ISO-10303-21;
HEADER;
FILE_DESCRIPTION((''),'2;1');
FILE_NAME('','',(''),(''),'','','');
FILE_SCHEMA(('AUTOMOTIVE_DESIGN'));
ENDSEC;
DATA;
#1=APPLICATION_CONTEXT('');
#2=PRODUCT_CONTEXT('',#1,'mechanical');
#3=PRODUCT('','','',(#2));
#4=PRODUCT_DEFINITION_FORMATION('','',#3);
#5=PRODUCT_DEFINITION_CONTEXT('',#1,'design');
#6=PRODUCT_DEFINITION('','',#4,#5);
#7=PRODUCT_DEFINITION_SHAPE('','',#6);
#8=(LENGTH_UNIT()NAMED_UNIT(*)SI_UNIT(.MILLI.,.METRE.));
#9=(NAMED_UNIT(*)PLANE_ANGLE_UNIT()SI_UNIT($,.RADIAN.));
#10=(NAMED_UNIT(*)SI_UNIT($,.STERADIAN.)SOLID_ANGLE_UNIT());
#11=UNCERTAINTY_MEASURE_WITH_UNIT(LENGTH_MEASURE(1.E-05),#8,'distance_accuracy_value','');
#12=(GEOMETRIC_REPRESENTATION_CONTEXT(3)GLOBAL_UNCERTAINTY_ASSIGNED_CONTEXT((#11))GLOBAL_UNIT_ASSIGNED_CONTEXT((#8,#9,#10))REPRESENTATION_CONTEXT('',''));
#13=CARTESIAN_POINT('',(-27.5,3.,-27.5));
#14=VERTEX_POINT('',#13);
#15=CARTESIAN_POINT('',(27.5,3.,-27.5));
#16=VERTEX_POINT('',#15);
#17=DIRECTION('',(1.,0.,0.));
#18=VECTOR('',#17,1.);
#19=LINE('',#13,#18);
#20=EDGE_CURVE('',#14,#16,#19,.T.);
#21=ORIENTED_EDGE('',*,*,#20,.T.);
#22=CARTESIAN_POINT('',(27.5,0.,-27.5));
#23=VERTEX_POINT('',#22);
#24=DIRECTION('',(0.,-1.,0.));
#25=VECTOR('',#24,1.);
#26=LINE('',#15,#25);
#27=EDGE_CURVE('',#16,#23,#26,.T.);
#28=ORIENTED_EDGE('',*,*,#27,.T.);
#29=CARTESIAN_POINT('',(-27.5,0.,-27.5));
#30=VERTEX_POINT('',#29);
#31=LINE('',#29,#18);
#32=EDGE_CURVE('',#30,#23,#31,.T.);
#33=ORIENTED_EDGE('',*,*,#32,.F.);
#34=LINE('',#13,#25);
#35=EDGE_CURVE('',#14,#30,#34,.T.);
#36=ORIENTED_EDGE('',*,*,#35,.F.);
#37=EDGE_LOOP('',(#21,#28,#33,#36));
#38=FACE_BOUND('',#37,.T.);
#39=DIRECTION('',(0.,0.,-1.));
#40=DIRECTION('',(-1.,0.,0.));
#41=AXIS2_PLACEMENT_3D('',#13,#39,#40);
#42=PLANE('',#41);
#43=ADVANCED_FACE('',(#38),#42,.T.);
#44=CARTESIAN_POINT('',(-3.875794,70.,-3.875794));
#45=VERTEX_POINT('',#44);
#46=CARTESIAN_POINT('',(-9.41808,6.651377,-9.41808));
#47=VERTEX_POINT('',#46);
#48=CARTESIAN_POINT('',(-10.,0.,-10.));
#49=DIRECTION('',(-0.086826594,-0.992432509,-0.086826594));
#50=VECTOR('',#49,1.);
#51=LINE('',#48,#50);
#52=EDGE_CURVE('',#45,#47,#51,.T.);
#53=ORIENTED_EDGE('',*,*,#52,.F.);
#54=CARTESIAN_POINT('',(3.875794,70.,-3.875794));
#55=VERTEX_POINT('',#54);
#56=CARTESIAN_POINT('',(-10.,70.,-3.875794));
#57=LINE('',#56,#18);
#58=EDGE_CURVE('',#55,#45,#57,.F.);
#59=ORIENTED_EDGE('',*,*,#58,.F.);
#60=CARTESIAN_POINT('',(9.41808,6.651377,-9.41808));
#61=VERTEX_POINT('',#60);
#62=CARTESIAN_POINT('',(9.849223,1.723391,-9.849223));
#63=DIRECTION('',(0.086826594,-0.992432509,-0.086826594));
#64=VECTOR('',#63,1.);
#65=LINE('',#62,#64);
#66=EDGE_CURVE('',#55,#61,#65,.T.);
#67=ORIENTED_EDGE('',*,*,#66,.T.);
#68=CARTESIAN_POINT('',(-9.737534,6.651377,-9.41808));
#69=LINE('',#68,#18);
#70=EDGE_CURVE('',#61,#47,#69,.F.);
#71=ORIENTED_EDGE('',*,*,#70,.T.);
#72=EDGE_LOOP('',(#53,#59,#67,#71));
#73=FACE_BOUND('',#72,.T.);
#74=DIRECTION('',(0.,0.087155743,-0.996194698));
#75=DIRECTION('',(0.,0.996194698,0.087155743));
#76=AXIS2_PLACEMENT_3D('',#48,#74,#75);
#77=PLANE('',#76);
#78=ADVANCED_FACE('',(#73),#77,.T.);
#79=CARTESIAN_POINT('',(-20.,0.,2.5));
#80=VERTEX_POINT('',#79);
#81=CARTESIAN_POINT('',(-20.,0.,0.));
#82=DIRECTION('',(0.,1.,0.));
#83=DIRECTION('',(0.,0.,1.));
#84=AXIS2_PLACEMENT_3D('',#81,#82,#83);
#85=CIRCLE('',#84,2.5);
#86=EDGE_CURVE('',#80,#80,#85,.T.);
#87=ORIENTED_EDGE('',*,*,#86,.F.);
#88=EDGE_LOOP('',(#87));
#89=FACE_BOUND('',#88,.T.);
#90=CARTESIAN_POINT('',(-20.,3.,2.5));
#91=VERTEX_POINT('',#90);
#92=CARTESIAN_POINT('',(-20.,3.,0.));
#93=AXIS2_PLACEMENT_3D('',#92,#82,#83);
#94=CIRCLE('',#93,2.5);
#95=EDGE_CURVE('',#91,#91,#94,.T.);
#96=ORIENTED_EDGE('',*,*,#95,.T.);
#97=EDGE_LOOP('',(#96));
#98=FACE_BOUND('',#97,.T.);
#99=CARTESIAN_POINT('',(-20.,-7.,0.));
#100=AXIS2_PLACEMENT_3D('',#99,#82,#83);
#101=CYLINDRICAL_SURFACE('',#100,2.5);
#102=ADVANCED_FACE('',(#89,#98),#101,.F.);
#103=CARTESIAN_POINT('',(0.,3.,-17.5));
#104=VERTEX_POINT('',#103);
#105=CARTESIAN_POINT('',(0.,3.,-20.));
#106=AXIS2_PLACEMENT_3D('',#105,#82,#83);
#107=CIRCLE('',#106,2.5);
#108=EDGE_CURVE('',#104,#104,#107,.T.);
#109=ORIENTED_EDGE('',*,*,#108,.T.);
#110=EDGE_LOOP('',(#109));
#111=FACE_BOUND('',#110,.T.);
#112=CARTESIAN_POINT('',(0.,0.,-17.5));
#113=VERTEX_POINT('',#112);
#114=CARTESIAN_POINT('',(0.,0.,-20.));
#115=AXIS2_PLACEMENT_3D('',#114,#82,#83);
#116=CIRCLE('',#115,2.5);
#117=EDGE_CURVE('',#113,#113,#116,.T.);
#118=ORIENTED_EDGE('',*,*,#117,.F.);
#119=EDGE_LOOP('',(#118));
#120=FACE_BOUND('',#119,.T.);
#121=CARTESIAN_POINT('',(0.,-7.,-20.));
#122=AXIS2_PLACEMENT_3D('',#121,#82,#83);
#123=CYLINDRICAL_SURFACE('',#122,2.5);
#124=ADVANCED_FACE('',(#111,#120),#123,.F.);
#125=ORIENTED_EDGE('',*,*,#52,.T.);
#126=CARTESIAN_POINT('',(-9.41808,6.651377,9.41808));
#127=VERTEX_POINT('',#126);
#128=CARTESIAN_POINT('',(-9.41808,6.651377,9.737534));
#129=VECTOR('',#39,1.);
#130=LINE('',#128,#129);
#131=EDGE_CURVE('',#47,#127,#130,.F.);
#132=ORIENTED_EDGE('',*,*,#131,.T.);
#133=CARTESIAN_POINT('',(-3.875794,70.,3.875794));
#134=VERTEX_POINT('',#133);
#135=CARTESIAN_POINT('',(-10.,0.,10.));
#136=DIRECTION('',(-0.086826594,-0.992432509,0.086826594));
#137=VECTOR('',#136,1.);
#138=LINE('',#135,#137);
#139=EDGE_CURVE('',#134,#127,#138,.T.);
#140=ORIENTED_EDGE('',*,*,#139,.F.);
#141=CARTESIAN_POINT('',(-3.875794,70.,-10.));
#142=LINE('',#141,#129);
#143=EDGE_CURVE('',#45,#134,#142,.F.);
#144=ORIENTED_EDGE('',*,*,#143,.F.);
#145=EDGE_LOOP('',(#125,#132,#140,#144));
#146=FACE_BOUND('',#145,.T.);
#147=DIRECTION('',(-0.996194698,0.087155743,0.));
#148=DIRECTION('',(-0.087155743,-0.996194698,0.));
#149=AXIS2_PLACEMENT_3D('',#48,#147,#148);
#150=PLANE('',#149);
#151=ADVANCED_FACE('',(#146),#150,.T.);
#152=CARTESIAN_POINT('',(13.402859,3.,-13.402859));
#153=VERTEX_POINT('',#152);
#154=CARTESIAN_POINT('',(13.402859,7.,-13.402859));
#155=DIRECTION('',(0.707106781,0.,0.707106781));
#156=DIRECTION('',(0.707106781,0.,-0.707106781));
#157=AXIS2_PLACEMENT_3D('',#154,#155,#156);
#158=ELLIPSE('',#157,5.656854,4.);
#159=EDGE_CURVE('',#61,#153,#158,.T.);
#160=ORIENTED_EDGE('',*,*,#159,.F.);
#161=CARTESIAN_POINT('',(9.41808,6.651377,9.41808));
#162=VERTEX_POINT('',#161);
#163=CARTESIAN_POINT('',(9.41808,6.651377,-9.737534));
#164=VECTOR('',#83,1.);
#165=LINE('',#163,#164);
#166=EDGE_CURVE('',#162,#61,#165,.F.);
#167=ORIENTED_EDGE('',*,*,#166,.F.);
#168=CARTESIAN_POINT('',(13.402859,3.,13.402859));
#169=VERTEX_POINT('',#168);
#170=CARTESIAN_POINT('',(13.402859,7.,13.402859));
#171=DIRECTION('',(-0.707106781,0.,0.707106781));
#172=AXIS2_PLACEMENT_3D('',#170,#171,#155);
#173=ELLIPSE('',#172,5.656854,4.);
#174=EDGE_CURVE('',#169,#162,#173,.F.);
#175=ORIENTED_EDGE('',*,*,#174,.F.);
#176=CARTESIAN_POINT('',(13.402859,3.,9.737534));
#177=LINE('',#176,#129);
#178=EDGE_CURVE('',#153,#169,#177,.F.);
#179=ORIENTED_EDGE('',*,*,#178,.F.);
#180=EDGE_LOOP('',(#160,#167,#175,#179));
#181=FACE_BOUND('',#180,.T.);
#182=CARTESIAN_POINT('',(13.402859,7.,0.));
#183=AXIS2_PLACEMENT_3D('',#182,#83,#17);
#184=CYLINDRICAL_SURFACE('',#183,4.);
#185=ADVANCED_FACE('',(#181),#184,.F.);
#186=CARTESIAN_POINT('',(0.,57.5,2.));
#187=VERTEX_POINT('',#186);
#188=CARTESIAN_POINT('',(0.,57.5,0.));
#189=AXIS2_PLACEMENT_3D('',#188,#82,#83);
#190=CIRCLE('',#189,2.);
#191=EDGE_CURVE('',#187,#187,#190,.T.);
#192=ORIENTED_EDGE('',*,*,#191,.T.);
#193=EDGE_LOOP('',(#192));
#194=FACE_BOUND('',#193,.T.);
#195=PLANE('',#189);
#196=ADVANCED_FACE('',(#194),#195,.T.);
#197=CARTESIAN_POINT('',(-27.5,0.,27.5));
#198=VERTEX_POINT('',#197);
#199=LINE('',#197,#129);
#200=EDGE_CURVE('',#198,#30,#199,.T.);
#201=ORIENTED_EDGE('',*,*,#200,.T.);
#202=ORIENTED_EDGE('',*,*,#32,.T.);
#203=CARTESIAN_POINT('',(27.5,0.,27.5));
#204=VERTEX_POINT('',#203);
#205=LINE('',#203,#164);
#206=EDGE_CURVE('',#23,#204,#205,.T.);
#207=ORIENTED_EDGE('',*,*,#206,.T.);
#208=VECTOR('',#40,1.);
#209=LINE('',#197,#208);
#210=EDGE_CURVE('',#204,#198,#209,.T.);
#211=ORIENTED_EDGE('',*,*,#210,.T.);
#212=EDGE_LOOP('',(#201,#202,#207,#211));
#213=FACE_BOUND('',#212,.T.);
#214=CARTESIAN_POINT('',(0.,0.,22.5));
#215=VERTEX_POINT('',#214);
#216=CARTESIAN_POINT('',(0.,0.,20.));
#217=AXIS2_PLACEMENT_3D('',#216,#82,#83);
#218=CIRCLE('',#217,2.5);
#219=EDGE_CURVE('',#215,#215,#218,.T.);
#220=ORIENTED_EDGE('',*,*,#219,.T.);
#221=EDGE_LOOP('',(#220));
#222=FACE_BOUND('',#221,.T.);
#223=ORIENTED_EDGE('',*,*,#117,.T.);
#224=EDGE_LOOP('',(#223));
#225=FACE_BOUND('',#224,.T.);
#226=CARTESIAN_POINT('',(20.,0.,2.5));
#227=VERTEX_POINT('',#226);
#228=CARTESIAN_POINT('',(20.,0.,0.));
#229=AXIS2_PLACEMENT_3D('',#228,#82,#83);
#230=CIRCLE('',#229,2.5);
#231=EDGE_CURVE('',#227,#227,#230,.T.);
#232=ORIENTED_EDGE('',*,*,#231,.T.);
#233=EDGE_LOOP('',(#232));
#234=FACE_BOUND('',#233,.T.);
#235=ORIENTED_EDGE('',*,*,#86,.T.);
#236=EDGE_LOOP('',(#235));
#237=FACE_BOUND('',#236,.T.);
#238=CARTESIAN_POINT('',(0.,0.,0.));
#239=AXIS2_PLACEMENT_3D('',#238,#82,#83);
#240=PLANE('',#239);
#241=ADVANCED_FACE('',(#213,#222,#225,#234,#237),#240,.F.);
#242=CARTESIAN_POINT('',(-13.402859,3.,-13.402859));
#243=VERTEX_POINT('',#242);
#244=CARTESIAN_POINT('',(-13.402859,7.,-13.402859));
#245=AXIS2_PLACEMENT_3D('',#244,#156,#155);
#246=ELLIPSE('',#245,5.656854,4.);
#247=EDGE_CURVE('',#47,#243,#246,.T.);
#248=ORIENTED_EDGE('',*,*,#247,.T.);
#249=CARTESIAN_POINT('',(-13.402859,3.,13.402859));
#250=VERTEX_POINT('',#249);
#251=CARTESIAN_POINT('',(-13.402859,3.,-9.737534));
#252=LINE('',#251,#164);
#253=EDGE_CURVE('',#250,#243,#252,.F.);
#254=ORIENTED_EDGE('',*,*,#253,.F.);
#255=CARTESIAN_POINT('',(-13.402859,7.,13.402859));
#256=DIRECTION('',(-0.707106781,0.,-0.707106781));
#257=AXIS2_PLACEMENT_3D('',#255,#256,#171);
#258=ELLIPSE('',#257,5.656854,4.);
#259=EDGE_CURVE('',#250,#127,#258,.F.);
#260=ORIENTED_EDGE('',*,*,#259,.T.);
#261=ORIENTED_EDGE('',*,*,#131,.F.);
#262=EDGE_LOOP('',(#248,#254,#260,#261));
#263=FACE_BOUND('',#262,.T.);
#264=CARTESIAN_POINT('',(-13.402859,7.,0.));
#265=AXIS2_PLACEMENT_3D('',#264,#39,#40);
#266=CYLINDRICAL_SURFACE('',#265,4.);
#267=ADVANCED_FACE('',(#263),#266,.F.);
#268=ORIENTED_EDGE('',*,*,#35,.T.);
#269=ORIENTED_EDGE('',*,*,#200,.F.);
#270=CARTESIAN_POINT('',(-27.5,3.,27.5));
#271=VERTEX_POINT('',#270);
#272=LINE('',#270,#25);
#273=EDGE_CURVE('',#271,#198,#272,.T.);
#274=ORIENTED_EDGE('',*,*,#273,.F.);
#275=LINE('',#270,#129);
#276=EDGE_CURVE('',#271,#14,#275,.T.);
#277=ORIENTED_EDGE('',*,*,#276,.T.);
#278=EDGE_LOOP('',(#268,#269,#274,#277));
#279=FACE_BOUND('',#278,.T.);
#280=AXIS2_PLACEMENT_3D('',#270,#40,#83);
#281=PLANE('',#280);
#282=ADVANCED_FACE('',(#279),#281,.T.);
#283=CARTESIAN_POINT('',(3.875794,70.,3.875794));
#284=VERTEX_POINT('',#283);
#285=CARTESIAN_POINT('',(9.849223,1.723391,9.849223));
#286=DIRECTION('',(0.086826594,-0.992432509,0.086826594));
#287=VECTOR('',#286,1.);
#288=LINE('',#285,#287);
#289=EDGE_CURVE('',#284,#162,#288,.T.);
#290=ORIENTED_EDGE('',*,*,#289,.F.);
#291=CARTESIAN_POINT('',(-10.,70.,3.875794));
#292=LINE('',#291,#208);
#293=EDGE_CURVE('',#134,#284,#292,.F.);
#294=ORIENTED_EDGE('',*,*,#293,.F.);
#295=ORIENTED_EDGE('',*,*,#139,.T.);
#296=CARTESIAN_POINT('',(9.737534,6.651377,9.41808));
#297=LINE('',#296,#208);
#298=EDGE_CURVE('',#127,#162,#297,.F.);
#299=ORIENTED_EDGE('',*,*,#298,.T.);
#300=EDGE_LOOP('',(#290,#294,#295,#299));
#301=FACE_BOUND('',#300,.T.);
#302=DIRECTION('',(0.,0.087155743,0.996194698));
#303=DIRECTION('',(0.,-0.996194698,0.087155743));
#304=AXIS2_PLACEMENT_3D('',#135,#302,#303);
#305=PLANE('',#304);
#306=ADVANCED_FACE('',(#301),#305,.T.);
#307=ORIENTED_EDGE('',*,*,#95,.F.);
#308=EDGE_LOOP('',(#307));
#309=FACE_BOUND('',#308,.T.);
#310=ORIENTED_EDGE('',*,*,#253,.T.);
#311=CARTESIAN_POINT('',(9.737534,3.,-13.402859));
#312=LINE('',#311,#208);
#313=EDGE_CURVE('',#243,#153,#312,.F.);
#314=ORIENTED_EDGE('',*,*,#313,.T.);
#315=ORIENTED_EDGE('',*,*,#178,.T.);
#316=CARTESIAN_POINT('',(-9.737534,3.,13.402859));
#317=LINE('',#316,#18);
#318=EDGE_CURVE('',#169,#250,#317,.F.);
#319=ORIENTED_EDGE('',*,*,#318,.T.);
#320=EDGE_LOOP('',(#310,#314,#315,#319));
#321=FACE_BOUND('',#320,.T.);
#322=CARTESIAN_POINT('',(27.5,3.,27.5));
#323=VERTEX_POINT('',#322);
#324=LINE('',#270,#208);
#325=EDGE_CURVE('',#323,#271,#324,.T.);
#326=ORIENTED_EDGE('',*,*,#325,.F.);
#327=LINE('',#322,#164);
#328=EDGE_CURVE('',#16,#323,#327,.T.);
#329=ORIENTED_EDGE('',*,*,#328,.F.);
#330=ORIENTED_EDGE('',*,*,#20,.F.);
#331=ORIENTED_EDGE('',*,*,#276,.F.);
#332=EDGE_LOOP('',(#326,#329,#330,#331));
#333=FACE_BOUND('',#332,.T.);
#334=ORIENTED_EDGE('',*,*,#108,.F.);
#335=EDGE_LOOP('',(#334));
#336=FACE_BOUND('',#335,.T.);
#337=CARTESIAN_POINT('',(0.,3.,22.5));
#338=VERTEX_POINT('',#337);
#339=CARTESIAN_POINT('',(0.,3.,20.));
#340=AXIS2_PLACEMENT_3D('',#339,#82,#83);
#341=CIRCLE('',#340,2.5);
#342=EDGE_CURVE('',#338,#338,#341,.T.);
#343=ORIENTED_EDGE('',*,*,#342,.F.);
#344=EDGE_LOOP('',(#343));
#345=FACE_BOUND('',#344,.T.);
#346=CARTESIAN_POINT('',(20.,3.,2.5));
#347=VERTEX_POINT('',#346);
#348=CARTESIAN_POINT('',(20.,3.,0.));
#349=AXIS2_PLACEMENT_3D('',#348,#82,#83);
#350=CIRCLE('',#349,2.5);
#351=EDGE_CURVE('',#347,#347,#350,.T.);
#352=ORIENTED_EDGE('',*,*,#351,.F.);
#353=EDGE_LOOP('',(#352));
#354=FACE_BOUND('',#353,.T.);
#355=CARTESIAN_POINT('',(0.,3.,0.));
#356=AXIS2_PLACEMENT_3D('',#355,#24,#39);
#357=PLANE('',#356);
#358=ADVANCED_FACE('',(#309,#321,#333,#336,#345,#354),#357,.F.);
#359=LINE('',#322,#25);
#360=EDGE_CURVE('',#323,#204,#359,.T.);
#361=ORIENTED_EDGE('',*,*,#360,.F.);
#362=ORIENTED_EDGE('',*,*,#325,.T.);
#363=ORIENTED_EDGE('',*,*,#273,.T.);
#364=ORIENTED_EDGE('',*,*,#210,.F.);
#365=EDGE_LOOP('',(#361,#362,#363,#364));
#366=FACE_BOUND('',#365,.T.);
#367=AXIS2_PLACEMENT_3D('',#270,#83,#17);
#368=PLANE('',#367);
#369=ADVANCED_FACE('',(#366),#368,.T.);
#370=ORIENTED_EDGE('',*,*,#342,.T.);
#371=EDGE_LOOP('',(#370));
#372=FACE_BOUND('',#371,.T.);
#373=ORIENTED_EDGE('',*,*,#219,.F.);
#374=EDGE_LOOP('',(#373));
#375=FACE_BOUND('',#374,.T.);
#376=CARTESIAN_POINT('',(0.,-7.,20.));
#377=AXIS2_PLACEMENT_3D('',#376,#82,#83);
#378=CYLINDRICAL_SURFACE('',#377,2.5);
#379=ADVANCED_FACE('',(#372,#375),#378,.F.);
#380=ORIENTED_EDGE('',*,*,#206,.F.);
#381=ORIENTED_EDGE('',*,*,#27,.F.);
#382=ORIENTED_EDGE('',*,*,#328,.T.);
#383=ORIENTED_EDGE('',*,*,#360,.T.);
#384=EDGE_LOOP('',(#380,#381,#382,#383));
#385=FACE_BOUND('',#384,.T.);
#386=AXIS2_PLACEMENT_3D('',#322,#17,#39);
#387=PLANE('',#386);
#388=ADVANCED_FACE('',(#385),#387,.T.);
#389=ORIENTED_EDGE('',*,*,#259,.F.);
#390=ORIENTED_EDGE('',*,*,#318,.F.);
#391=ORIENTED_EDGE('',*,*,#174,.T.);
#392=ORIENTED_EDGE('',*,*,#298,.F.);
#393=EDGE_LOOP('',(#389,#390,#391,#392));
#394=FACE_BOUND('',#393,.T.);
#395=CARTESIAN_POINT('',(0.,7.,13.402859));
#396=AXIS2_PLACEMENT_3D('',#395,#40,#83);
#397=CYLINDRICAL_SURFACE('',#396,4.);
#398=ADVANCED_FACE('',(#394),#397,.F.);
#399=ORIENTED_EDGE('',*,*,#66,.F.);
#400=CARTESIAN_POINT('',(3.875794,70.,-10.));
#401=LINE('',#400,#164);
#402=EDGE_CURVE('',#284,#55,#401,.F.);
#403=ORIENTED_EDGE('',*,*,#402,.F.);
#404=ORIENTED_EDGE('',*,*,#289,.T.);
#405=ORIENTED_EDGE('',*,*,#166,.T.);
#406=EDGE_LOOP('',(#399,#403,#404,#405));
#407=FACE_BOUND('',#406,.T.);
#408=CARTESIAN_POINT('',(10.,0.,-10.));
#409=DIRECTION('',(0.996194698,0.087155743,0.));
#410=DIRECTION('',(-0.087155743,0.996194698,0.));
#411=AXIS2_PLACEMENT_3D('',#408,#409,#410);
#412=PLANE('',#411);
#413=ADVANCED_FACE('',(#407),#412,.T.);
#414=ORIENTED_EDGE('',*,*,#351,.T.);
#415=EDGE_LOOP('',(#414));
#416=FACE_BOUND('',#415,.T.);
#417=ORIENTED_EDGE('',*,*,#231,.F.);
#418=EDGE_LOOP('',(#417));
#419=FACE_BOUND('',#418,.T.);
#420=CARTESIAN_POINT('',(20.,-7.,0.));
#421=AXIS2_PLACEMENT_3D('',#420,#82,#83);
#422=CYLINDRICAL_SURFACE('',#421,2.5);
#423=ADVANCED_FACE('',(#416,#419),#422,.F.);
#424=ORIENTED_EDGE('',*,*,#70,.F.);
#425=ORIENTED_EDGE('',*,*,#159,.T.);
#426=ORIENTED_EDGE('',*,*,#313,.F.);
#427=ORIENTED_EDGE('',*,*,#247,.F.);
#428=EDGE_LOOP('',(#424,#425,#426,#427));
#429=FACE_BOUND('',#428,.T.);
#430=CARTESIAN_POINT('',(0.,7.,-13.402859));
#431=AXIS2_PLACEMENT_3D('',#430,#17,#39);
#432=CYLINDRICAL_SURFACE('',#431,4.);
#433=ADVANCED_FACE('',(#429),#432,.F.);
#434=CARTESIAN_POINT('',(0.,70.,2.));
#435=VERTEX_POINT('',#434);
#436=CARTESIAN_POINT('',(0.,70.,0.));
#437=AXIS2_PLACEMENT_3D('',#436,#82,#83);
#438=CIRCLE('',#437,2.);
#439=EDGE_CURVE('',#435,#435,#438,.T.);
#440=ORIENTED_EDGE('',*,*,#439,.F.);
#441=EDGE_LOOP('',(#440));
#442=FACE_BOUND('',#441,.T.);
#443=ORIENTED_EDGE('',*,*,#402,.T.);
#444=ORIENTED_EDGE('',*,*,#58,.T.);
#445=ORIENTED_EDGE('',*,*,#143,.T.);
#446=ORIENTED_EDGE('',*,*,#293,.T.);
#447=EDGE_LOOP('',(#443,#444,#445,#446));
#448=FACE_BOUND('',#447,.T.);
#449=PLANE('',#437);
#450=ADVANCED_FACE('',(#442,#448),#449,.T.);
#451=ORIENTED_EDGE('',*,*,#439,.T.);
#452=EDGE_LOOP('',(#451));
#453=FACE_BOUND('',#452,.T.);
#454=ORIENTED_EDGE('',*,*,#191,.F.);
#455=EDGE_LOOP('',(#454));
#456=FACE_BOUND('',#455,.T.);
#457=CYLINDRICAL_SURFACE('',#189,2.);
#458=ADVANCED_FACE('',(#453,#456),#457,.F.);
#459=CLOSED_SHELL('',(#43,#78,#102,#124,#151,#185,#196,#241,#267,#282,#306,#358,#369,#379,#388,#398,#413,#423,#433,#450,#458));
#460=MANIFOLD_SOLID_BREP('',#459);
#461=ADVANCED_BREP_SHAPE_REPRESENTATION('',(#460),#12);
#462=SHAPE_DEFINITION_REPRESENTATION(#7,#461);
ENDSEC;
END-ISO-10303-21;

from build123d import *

# Parameters (mm, degrees)
SKETCH1_W           = 20
SKETCH1_H           = 20
BOSS_EXTRUDE1_DEPTH = 70
BOSS_EXTRUDE1_TAPER = 5
SKETCH2_R           = 2
CUT_EXTRUDE1_DEPTH  = 12.5
SKETCH3_W           = 55
SKETCH3_H           = 55
BOSS_EXTRUDE2_DEPTH = 3
FILLET1_R           = 4
SKETCH5_R           = 2.5
CUT_EXTRUDE2_DEPTH  = 10


with BuildPart() as part:
    # Sketch1 → Boss-Extrude1 (new body)
    with BuildSketch(Plane(origin=(0, 0, 0), x_dir=(1, 0, 0), z_dir=(0, 1, 0))):
        Rectangle(SKETCH1_W, SKETCH1_H)
    extrude(amount=BOSS_EXTRUDE1_DEPTH, taper=BOSS_EXTRUDE1_TAPER)

    # Sketch2 → Cut-Extrude1 (cut)
    with BuildSketch(Plane(origin=(0, 70, 0), x_dir=(1, 0, 0), z_dir=(0, 1, 0))):
        with Locations(Location((0, 0, 0), (0, 0, 270))):
            Circle(SKETCH2_R)
    extrude(amount=-CUT_EXTRUDE1_DEPTH, mode=Mode.SUBTRACT)

    # Sketch3 → Boss-Extrude2 (add)
    with BuildSketch(Plane.XZ):
        Rectangle(SKETCH3_W, SKETCH3_H)
    extrude(amount=-BOSS_EXTRUDE2_DEPTH)

    # Fillet1
    fillet1_edges = [part.edges().sort_by_distance(p)[0] for p in [
        (0, 3, 9.737534009),
        (0, 3, -9.737534009),
        (9.737534009, 3, 0),
        (-9.737534009, 3, 0),
    ]]
    fillet(fillet1_edges, radius=FILLET1_R)

    # Sketch5 → Cut-Extrude2 (cut)
    with BuildSketch(Plane(origin=(0, 3, 0), x_dir=(1, 0, 0), z_dir=(0, 1, 0))):
        with Locations(Location((-20, 0, 0), (0, 0, 270))):
            Circle(SKETCH5_R)
        with Locations(Location((0, 20, 0), (0, 0, 270))):
            Circle(SKETCH5_R)
        with Locations(Location((20, 0, 0), (0, 0, 270))):
            Circle(SKETCH5_R)
        with Locations(Location((0, -20, 0), (0, 0, 270))):
            Circle(SKETCH5_R)
    extrude(amount=-CUT_EXTRUDE2_DEPTH, mode=Mode.SUBTRACT)


solid = part.part
